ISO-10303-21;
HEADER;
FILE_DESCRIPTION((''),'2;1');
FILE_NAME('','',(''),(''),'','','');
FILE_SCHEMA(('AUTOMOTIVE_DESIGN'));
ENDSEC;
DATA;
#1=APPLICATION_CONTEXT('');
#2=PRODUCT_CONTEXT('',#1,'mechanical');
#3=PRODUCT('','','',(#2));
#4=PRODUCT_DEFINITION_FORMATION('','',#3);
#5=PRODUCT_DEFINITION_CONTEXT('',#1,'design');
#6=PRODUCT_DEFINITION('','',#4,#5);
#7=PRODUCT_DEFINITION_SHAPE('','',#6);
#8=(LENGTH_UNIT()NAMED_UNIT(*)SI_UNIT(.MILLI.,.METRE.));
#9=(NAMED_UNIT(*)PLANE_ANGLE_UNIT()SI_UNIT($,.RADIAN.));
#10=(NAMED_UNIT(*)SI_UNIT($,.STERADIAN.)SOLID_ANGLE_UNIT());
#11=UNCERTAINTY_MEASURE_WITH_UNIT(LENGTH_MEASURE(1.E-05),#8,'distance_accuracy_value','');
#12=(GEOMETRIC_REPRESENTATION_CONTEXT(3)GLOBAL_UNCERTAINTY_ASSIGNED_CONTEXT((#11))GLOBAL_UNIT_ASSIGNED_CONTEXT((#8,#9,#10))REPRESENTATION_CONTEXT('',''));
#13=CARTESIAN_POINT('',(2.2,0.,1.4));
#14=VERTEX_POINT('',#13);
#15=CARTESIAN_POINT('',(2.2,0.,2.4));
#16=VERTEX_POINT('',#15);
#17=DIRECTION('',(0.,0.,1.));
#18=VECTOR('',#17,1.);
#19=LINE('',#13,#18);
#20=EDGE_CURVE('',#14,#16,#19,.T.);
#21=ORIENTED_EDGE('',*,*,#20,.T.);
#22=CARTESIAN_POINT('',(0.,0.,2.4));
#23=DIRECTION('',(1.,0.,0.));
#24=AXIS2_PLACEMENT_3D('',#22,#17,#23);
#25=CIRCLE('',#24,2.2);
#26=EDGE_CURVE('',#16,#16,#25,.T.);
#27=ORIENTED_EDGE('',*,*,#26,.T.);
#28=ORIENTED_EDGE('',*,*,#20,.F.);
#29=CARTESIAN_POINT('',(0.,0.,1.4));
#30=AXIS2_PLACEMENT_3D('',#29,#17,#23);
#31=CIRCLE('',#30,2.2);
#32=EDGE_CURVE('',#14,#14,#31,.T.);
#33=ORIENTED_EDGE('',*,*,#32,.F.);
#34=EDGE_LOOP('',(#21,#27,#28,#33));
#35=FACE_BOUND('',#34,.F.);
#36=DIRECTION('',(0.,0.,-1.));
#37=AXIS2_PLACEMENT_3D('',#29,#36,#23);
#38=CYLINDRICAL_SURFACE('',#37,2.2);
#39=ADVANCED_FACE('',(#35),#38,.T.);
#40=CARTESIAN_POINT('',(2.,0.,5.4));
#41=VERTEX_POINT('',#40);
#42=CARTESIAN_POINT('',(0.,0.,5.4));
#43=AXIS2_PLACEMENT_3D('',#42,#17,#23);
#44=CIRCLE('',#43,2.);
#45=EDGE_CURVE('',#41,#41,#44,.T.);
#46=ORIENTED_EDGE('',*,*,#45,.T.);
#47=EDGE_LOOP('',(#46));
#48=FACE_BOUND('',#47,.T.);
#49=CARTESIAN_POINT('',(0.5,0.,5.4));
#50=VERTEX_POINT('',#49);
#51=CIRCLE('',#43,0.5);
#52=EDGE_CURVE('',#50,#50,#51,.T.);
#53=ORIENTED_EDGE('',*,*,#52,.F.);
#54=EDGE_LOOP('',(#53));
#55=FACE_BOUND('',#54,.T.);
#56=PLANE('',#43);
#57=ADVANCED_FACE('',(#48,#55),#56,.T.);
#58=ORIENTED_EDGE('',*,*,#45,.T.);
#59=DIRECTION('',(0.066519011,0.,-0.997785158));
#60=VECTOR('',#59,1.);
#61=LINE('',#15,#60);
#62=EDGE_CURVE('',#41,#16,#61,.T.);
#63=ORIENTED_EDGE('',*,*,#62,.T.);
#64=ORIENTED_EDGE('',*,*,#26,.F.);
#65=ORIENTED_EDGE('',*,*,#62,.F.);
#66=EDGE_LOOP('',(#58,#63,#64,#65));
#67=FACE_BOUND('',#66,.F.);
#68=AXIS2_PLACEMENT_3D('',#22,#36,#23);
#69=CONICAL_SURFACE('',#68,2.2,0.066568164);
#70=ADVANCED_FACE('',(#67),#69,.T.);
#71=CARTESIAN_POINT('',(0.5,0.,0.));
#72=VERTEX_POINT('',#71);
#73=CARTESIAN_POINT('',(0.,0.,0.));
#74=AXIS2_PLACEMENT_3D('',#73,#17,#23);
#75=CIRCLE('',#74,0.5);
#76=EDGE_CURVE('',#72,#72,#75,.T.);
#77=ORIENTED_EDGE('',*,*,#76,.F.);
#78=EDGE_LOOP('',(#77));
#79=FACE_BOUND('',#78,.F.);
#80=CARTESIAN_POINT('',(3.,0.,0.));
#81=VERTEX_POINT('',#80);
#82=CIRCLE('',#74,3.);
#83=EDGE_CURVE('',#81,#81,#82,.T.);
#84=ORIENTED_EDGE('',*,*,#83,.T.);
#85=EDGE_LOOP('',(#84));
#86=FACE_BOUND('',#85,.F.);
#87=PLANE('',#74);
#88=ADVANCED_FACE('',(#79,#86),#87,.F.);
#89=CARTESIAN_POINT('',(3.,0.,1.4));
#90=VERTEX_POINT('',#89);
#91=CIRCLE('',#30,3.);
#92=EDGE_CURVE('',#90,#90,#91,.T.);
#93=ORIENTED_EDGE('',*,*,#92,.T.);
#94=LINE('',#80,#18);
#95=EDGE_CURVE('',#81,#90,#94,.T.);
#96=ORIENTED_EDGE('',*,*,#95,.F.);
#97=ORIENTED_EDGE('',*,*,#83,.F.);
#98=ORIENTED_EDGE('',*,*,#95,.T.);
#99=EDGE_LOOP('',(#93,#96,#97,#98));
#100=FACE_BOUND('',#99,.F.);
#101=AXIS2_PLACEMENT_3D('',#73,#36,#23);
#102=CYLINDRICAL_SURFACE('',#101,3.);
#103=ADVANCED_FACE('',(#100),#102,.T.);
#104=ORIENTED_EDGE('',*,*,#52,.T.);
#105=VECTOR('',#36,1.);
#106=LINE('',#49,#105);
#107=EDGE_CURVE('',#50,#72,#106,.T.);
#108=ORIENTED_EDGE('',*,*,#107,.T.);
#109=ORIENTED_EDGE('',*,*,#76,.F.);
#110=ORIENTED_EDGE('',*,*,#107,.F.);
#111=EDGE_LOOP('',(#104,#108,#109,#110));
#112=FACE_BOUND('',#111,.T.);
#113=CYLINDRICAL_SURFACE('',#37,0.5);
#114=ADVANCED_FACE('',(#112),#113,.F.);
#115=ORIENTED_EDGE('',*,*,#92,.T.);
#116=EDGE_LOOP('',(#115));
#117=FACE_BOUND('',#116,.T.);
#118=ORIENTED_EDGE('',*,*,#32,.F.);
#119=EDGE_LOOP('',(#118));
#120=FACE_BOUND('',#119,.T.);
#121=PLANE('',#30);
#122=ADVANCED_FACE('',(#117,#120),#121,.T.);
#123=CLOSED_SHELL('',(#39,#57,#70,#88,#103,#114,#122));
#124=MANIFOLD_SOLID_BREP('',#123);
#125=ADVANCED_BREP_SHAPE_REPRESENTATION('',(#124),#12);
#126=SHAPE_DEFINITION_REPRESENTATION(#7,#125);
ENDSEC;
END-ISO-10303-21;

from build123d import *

# Parameters (mm, degrees)
F0_R     = 3
F0_R_2   = 0.5
F1_DEPTH = 1.4
F2_R     = 2.2
F2_R_2   = 0.5
F3_DEPTH = 4
F4_SIZE2 = 3
F4_SIZE  = 0.2


with BuildPart() as f1:
    # F0 (on Top) → F1 (new body)
    with BuildSketch(Plane.XY):
        Circle(F0_R)
        Circle(F0_R_2, mode=Mode.SUBTRACT)
    extrude(amount=F1_DEPTH)

    # F2 (on face) → F3 (join)
    with BuildSketch(Plane.XY.offset(1.4)):
        Circle(F2_R)
        Circle(F2_R_2, mode=Mode.SUBTRACT)
    extrude(amount=F3_DEPTH)

    # F4
    f4_edges = [f1.edges().sort_by_distance(p)[0] for p in [
        (-2.2, 0, 5.4),
    ]]
    f4_side = f1.faces().sort_by_distance((-2.137775, 0, 5.4))[0]
    chamfer(f4_edges, length=F4_SIZE, length2=F4_SIZE2, reference=f4_side)


solid = f1.part
